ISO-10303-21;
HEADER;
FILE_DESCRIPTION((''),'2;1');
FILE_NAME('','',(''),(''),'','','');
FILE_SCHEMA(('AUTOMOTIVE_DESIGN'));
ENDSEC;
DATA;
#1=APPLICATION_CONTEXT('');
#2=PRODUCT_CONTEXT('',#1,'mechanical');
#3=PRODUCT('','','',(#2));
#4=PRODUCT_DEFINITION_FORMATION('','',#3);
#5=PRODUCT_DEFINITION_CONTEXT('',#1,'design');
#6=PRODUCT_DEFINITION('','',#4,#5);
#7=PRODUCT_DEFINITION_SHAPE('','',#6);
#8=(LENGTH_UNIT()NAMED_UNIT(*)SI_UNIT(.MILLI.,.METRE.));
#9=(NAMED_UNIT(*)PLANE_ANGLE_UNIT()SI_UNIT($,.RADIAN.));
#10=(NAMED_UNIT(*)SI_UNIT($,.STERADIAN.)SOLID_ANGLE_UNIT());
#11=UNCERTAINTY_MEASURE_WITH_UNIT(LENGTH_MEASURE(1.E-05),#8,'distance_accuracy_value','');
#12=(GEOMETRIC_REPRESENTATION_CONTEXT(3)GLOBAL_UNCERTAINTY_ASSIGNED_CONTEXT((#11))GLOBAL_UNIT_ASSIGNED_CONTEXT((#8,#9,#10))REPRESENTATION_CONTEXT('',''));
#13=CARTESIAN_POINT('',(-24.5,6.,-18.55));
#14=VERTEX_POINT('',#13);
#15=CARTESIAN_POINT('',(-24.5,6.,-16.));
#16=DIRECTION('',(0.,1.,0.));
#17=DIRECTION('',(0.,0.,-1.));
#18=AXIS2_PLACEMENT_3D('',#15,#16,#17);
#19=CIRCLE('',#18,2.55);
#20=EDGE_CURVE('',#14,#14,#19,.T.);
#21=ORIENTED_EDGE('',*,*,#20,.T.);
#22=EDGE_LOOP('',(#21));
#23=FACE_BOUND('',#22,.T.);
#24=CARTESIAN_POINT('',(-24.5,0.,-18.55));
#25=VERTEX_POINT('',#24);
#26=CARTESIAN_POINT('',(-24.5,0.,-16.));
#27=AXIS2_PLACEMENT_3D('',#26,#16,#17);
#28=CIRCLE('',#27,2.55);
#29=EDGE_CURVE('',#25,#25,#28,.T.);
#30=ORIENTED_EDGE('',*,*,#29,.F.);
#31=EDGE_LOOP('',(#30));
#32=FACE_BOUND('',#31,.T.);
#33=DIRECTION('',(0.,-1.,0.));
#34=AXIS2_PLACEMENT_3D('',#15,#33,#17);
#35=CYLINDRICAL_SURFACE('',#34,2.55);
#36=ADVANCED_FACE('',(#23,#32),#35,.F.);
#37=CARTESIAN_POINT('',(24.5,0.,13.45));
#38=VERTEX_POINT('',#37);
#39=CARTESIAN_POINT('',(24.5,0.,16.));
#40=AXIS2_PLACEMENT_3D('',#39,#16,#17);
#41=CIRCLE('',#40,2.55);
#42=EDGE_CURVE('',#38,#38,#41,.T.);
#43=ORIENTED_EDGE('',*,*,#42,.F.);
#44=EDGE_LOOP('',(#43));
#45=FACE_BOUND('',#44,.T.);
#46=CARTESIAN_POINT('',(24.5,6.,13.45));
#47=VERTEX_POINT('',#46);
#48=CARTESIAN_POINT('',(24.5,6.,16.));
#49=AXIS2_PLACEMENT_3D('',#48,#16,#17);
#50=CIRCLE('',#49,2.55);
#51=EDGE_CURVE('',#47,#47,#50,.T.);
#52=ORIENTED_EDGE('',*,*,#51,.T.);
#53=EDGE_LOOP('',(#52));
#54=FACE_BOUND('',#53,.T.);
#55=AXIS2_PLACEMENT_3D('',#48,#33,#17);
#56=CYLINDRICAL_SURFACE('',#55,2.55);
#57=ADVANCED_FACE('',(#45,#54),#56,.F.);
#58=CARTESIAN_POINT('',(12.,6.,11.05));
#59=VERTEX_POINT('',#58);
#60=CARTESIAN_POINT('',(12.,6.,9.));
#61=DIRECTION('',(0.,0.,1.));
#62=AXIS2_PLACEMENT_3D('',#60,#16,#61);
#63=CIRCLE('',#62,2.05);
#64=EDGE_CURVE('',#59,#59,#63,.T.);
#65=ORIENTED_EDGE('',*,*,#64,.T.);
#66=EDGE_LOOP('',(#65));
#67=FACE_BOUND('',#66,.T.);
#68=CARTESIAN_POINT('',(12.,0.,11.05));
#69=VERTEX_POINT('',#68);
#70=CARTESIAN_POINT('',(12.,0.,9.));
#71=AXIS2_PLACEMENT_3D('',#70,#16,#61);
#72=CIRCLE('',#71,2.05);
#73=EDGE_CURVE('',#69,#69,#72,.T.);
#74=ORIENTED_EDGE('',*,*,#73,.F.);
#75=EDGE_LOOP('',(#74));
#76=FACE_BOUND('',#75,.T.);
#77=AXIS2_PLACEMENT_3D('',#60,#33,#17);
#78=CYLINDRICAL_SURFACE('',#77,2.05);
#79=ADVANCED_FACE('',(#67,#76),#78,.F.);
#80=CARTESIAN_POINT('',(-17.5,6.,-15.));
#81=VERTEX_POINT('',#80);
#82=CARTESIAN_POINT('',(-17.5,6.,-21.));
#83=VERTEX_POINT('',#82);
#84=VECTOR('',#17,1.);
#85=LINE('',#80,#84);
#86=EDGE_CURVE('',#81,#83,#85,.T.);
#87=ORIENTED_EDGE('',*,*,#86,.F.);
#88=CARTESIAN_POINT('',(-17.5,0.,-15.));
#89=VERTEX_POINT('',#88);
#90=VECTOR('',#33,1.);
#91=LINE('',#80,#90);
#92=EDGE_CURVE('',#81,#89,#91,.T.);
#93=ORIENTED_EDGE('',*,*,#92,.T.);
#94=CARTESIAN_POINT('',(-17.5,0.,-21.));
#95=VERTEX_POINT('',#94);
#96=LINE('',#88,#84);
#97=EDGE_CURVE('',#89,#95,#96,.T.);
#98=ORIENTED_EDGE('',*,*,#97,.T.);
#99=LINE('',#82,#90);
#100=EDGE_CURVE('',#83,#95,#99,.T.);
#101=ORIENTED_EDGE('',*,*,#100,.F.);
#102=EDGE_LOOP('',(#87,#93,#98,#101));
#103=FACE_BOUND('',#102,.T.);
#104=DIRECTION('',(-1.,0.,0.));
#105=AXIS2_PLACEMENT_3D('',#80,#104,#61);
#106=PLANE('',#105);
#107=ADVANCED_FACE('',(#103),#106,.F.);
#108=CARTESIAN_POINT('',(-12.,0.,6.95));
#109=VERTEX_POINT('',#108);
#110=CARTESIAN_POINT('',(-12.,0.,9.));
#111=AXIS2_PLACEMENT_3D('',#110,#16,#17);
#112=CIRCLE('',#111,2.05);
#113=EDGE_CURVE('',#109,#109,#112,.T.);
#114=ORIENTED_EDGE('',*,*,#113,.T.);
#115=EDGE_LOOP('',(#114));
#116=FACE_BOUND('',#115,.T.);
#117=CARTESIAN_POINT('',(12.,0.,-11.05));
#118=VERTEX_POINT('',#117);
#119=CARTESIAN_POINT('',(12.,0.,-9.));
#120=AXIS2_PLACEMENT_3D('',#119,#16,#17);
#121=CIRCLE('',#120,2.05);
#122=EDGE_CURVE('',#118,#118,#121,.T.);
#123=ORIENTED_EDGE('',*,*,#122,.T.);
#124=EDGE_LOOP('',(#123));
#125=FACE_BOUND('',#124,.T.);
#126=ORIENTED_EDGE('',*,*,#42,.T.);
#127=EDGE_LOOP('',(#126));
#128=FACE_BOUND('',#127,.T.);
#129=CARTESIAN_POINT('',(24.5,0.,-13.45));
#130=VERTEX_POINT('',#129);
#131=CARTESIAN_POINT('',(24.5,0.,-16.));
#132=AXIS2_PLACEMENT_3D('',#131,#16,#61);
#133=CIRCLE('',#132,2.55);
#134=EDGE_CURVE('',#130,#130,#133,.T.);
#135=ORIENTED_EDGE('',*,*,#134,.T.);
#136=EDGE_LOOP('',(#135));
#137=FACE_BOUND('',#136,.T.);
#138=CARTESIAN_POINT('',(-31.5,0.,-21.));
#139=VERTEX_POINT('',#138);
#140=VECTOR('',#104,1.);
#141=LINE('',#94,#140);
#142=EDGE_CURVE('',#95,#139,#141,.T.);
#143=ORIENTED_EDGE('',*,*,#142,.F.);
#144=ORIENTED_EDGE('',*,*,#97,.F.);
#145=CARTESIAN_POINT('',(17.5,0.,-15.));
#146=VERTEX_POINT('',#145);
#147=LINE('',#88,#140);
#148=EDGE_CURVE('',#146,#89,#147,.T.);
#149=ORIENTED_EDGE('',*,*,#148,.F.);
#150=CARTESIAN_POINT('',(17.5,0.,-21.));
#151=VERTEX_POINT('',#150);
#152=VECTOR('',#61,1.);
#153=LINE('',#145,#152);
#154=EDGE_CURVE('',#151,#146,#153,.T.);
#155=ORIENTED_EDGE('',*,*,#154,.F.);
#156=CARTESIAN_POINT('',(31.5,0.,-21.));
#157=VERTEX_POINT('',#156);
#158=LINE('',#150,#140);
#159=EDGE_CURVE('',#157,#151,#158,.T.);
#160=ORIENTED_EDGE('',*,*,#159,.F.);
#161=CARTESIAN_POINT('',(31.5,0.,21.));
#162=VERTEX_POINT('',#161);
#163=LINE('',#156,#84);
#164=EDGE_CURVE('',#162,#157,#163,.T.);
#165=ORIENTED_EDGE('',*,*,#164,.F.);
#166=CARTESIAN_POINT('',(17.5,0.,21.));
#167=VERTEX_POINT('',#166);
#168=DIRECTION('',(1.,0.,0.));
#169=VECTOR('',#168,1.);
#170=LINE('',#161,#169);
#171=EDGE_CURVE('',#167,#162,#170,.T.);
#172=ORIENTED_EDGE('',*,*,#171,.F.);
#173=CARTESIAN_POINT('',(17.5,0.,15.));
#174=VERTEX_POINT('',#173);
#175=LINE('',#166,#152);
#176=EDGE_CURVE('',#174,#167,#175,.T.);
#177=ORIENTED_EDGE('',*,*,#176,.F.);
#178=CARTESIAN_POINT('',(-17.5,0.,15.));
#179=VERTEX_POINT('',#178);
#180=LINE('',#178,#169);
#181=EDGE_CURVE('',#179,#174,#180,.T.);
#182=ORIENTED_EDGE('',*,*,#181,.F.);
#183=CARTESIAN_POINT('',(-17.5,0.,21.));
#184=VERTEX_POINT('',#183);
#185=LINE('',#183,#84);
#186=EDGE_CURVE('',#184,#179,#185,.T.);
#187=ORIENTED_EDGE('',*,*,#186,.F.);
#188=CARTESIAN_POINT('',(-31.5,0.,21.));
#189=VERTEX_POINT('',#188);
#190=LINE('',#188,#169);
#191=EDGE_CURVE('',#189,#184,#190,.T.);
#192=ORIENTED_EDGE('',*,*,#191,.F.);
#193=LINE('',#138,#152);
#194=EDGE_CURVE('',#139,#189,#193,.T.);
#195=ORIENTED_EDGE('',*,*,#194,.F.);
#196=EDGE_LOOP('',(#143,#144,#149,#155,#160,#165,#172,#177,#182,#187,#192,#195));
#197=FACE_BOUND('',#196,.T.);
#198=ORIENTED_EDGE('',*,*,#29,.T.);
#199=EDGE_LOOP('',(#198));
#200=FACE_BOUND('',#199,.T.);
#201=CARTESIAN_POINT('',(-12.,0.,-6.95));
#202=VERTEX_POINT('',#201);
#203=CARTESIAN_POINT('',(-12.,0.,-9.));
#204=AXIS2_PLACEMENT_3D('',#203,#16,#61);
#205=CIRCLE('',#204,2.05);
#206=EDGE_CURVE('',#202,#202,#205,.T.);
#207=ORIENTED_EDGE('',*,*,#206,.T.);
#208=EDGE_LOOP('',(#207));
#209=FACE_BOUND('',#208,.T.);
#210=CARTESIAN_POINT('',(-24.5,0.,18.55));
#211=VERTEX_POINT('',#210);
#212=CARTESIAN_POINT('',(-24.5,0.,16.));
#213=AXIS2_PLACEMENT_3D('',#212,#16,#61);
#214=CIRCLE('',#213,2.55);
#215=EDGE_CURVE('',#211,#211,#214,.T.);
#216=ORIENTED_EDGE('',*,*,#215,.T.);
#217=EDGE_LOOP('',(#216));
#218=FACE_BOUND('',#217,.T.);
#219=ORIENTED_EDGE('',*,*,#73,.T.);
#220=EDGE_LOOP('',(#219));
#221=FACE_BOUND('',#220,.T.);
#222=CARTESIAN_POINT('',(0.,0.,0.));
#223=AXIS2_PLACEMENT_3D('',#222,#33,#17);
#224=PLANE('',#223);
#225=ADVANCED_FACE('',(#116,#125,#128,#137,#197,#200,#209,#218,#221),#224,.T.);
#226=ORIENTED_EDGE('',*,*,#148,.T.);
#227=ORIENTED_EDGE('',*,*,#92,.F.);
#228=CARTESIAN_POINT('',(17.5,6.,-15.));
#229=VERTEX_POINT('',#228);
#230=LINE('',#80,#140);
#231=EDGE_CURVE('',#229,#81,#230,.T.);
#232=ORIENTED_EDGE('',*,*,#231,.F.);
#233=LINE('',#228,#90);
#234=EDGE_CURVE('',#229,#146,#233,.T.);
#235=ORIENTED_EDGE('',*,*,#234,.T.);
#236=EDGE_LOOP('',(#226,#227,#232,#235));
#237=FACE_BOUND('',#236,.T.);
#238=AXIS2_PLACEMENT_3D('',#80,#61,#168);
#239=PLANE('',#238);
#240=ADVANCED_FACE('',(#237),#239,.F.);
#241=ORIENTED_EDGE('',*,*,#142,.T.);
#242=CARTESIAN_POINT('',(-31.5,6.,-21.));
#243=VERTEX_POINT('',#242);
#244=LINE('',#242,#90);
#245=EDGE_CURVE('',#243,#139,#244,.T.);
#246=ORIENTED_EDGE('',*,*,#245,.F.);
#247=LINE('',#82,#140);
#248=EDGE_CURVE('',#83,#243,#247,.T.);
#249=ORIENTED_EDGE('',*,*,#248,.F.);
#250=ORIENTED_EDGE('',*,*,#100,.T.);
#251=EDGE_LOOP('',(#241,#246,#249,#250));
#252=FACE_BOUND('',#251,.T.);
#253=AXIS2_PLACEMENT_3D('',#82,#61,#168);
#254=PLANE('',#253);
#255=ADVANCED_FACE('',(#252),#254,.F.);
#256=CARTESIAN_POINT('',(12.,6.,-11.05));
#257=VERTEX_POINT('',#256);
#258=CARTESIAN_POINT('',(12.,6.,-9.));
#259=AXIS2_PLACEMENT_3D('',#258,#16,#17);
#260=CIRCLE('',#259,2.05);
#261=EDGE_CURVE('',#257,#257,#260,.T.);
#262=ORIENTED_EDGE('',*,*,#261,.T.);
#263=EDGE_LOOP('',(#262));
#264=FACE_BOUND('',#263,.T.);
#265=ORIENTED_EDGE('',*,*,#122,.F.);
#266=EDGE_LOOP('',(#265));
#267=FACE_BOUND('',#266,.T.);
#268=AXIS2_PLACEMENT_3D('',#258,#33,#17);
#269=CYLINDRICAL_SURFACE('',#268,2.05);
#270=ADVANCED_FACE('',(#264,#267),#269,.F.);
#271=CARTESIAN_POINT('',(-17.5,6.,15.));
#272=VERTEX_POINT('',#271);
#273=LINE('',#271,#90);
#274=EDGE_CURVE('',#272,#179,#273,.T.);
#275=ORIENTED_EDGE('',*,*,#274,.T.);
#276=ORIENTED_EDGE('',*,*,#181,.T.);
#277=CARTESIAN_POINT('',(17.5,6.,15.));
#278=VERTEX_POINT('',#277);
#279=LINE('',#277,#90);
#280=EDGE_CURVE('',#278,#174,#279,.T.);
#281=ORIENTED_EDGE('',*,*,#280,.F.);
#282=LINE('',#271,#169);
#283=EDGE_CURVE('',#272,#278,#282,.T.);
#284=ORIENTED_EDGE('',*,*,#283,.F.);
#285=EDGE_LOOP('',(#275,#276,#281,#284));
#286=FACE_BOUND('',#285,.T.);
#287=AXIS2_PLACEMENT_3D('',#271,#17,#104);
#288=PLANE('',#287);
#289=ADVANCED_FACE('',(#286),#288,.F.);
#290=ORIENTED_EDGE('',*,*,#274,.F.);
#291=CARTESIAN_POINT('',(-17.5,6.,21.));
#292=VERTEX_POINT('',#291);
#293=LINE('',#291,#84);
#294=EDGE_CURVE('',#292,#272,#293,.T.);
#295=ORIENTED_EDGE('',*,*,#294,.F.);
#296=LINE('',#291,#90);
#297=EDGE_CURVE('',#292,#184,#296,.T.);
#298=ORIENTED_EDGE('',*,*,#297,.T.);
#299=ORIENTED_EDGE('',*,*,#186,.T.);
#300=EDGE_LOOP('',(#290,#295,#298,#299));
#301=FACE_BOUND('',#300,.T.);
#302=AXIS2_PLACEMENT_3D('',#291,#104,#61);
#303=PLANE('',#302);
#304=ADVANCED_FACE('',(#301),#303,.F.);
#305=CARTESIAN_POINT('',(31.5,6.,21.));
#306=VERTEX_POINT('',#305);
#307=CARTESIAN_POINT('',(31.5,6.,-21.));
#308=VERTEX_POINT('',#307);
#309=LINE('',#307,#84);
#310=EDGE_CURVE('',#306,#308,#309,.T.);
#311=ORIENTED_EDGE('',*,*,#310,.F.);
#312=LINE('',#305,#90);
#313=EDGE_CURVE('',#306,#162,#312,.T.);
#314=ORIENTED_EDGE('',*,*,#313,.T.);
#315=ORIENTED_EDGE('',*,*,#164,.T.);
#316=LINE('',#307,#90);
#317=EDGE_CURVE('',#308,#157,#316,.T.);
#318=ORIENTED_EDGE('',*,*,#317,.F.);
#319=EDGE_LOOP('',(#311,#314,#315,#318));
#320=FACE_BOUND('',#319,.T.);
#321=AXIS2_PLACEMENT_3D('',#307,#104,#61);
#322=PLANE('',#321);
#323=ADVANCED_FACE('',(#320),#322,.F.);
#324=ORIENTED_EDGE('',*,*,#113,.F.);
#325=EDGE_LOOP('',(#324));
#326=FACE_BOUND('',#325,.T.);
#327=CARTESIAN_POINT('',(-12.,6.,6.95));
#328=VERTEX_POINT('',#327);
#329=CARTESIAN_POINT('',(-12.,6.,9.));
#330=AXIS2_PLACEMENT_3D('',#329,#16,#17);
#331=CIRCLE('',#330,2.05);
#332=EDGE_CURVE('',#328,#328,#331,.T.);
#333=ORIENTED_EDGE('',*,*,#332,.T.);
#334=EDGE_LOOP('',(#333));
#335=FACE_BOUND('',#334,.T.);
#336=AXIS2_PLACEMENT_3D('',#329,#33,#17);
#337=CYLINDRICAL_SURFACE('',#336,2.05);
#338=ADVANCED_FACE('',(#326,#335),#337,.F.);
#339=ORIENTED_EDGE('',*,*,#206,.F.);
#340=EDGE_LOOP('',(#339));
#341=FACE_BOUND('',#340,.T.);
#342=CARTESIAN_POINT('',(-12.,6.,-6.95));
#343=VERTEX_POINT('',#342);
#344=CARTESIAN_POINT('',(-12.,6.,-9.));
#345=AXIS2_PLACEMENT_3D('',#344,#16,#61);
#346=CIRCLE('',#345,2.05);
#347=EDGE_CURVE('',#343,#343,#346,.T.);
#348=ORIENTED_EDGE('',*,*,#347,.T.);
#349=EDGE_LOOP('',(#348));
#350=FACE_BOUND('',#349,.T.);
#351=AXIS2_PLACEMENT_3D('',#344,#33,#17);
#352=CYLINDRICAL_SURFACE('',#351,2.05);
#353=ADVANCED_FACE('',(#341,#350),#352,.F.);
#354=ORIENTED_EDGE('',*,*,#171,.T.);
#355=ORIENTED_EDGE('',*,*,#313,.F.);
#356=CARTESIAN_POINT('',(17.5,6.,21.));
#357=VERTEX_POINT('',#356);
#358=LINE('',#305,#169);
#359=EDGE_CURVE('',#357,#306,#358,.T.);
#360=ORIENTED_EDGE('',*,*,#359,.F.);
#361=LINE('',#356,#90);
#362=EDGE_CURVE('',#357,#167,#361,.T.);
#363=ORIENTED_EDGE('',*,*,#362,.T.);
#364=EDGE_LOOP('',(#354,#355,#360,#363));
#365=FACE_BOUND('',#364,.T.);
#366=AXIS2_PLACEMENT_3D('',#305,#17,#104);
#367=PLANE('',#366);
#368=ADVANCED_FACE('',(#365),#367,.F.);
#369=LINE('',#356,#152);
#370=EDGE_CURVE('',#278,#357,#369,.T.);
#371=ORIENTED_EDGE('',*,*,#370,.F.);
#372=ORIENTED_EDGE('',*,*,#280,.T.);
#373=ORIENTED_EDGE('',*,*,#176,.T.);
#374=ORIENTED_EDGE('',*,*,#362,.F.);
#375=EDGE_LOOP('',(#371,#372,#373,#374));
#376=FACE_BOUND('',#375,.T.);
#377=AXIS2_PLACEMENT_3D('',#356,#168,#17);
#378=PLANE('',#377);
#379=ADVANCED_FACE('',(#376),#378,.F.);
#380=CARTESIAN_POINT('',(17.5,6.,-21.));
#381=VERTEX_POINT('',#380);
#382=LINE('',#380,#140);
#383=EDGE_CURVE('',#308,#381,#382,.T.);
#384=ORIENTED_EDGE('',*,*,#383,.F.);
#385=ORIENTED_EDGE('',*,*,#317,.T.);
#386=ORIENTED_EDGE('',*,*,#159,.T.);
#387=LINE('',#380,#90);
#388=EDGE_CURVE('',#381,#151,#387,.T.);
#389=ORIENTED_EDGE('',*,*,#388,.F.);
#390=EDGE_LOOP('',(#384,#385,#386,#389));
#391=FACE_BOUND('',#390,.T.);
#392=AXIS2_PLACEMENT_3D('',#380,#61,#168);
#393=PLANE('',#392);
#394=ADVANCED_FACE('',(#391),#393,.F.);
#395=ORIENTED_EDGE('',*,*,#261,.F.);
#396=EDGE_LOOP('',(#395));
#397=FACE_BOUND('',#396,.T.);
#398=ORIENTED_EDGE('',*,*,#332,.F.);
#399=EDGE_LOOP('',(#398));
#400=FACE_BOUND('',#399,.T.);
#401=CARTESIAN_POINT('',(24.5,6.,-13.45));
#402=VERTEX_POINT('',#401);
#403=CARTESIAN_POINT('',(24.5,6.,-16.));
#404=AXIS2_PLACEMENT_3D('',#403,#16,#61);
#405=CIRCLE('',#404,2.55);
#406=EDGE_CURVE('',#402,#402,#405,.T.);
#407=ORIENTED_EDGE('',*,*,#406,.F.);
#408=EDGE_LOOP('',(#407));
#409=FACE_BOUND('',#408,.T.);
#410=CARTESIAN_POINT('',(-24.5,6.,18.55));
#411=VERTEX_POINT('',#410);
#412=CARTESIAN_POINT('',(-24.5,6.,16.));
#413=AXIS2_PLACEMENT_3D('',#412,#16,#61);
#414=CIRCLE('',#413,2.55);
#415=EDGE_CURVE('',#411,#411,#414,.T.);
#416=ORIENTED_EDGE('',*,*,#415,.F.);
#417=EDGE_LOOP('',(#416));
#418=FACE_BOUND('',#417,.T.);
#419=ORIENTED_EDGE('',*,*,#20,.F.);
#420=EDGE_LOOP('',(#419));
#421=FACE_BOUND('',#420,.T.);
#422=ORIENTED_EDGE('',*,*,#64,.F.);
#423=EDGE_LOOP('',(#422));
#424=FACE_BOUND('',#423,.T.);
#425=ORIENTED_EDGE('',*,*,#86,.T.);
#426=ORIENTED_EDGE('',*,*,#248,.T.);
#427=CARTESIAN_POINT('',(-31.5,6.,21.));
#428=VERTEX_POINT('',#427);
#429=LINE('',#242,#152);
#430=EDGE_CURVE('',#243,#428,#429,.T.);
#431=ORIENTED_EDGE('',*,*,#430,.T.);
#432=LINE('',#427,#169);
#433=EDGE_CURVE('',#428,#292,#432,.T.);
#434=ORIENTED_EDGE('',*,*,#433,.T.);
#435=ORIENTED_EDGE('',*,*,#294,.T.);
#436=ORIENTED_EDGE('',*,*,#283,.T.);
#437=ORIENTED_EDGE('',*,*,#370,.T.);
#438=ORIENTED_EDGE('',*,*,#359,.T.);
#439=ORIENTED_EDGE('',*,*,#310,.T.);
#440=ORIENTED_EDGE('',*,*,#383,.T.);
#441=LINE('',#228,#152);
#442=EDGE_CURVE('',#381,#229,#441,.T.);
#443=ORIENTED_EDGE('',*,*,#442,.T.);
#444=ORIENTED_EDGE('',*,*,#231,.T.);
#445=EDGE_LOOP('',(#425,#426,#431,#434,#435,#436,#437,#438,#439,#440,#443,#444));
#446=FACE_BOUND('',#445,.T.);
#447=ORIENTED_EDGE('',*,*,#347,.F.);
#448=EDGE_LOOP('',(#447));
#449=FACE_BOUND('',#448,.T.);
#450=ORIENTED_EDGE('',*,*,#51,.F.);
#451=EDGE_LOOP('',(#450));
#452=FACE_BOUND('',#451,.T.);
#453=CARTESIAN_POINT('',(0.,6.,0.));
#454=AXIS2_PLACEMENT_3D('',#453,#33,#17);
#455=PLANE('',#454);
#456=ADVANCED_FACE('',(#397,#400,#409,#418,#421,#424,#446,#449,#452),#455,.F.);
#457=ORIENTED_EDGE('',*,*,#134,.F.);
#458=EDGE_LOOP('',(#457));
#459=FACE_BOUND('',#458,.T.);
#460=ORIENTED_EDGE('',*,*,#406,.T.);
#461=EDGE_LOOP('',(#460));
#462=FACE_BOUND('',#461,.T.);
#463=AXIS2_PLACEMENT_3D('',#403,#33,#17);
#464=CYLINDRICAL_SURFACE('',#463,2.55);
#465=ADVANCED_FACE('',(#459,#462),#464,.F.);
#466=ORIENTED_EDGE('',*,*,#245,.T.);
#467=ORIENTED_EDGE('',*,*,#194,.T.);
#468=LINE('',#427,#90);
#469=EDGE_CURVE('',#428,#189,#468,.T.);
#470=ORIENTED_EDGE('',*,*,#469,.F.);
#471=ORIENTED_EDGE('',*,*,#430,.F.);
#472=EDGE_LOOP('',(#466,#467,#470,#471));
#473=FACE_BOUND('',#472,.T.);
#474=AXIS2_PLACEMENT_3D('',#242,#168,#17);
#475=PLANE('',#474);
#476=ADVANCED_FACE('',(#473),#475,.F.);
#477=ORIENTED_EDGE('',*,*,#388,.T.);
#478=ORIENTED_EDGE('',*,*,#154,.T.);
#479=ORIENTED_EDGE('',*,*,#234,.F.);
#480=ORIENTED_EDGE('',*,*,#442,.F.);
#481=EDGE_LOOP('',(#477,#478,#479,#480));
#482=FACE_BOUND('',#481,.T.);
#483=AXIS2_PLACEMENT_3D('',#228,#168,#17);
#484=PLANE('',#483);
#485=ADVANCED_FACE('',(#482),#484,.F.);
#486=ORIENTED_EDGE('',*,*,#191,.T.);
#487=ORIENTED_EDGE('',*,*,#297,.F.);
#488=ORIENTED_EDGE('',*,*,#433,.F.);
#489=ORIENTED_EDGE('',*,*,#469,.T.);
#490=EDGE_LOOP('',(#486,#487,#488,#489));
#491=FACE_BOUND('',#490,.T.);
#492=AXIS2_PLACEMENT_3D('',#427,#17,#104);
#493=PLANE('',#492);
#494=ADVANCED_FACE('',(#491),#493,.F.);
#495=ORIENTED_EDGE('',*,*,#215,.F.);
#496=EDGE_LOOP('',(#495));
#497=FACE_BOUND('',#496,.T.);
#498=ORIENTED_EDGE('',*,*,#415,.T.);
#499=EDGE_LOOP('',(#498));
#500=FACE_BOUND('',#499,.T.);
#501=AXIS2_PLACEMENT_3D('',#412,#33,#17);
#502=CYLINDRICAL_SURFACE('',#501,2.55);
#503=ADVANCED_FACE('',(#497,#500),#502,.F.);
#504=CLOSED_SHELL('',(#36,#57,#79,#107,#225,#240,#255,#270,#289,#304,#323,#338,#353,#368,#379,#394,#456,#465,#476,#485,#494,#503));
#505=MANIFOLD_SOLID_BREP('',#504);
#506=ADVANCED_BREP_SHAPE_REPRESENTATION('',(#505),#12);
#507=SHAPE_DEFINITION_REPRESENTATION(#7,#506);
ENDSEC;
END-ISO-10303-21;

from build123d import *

# Parameters (mm, degrees)
SKETCH1_R           = 2.05
SKETCH1_R_2         = 2.55
BOSS_EXTRUDE1_DEPTH = 6


with BuildPart() as part:
    # Sketch1 → Boss-Extrude1 (new body)
    with BuildSketch(Plane(origin=(0, 0, 0), x_dir=(1, 0, 0), z_dir=(0, 1, 0))):
        Polygon((-17.5, -15), (17.5, -15), (17.5, -21), (31.5, -21), (31.5, 21), (17.5, 21), (17.5, 15), (-17.5, 15), (-17.5, 21), (-31.5, 21), (-31.5, -21), (-17.5, -21), align=None)
        with Locations(Location((-12, 9, 0), (0, 0, 270))):
            Circle(SKETCH1_R, mode=Mode.SUBTRACT)
        with Locations(Location((12, 9, 0), (0, 0, 90))):
            Circle(SKETCH1_R, mode=Mode.SUBTRACT)
        with Locations(Location((12, -9, 0), (0, 0, 270))):
            Circle(SKETCH1_R, mode=Mode.SUBTRACT)
        with Locations(Location((-12, -9, 0), (0, 0, 90))):
            Circle(SKETCH1_R, mode=Mode.SUBTRACT)
        with Locations(Location((24.5, 16, 0), (0, 0, 270))):
            Circle(SKETCH1_R_2, mode=Mode.SUBTRACT)
        with Locations(Location((24.5, -16, 0), (0, 0, 90))):
            Circle(SKETCH1_R_2, mode=Mode.SUBTRACT)
        with Locations(Location((-24.5, -16, 0), (0, 0, 270))):
            Circle(SKETCH1_R_2, mode=Mode.SUBTRACT)
        with Locations(Location((-24.5, 16, 0), (0, 0, 90))):
            Circle(SKETCH1_R_2, mode=Mode.SUBTRACT)
    extrude(amount=BOSS_EXTRUDE1_DEPTH)


solid = part.part
